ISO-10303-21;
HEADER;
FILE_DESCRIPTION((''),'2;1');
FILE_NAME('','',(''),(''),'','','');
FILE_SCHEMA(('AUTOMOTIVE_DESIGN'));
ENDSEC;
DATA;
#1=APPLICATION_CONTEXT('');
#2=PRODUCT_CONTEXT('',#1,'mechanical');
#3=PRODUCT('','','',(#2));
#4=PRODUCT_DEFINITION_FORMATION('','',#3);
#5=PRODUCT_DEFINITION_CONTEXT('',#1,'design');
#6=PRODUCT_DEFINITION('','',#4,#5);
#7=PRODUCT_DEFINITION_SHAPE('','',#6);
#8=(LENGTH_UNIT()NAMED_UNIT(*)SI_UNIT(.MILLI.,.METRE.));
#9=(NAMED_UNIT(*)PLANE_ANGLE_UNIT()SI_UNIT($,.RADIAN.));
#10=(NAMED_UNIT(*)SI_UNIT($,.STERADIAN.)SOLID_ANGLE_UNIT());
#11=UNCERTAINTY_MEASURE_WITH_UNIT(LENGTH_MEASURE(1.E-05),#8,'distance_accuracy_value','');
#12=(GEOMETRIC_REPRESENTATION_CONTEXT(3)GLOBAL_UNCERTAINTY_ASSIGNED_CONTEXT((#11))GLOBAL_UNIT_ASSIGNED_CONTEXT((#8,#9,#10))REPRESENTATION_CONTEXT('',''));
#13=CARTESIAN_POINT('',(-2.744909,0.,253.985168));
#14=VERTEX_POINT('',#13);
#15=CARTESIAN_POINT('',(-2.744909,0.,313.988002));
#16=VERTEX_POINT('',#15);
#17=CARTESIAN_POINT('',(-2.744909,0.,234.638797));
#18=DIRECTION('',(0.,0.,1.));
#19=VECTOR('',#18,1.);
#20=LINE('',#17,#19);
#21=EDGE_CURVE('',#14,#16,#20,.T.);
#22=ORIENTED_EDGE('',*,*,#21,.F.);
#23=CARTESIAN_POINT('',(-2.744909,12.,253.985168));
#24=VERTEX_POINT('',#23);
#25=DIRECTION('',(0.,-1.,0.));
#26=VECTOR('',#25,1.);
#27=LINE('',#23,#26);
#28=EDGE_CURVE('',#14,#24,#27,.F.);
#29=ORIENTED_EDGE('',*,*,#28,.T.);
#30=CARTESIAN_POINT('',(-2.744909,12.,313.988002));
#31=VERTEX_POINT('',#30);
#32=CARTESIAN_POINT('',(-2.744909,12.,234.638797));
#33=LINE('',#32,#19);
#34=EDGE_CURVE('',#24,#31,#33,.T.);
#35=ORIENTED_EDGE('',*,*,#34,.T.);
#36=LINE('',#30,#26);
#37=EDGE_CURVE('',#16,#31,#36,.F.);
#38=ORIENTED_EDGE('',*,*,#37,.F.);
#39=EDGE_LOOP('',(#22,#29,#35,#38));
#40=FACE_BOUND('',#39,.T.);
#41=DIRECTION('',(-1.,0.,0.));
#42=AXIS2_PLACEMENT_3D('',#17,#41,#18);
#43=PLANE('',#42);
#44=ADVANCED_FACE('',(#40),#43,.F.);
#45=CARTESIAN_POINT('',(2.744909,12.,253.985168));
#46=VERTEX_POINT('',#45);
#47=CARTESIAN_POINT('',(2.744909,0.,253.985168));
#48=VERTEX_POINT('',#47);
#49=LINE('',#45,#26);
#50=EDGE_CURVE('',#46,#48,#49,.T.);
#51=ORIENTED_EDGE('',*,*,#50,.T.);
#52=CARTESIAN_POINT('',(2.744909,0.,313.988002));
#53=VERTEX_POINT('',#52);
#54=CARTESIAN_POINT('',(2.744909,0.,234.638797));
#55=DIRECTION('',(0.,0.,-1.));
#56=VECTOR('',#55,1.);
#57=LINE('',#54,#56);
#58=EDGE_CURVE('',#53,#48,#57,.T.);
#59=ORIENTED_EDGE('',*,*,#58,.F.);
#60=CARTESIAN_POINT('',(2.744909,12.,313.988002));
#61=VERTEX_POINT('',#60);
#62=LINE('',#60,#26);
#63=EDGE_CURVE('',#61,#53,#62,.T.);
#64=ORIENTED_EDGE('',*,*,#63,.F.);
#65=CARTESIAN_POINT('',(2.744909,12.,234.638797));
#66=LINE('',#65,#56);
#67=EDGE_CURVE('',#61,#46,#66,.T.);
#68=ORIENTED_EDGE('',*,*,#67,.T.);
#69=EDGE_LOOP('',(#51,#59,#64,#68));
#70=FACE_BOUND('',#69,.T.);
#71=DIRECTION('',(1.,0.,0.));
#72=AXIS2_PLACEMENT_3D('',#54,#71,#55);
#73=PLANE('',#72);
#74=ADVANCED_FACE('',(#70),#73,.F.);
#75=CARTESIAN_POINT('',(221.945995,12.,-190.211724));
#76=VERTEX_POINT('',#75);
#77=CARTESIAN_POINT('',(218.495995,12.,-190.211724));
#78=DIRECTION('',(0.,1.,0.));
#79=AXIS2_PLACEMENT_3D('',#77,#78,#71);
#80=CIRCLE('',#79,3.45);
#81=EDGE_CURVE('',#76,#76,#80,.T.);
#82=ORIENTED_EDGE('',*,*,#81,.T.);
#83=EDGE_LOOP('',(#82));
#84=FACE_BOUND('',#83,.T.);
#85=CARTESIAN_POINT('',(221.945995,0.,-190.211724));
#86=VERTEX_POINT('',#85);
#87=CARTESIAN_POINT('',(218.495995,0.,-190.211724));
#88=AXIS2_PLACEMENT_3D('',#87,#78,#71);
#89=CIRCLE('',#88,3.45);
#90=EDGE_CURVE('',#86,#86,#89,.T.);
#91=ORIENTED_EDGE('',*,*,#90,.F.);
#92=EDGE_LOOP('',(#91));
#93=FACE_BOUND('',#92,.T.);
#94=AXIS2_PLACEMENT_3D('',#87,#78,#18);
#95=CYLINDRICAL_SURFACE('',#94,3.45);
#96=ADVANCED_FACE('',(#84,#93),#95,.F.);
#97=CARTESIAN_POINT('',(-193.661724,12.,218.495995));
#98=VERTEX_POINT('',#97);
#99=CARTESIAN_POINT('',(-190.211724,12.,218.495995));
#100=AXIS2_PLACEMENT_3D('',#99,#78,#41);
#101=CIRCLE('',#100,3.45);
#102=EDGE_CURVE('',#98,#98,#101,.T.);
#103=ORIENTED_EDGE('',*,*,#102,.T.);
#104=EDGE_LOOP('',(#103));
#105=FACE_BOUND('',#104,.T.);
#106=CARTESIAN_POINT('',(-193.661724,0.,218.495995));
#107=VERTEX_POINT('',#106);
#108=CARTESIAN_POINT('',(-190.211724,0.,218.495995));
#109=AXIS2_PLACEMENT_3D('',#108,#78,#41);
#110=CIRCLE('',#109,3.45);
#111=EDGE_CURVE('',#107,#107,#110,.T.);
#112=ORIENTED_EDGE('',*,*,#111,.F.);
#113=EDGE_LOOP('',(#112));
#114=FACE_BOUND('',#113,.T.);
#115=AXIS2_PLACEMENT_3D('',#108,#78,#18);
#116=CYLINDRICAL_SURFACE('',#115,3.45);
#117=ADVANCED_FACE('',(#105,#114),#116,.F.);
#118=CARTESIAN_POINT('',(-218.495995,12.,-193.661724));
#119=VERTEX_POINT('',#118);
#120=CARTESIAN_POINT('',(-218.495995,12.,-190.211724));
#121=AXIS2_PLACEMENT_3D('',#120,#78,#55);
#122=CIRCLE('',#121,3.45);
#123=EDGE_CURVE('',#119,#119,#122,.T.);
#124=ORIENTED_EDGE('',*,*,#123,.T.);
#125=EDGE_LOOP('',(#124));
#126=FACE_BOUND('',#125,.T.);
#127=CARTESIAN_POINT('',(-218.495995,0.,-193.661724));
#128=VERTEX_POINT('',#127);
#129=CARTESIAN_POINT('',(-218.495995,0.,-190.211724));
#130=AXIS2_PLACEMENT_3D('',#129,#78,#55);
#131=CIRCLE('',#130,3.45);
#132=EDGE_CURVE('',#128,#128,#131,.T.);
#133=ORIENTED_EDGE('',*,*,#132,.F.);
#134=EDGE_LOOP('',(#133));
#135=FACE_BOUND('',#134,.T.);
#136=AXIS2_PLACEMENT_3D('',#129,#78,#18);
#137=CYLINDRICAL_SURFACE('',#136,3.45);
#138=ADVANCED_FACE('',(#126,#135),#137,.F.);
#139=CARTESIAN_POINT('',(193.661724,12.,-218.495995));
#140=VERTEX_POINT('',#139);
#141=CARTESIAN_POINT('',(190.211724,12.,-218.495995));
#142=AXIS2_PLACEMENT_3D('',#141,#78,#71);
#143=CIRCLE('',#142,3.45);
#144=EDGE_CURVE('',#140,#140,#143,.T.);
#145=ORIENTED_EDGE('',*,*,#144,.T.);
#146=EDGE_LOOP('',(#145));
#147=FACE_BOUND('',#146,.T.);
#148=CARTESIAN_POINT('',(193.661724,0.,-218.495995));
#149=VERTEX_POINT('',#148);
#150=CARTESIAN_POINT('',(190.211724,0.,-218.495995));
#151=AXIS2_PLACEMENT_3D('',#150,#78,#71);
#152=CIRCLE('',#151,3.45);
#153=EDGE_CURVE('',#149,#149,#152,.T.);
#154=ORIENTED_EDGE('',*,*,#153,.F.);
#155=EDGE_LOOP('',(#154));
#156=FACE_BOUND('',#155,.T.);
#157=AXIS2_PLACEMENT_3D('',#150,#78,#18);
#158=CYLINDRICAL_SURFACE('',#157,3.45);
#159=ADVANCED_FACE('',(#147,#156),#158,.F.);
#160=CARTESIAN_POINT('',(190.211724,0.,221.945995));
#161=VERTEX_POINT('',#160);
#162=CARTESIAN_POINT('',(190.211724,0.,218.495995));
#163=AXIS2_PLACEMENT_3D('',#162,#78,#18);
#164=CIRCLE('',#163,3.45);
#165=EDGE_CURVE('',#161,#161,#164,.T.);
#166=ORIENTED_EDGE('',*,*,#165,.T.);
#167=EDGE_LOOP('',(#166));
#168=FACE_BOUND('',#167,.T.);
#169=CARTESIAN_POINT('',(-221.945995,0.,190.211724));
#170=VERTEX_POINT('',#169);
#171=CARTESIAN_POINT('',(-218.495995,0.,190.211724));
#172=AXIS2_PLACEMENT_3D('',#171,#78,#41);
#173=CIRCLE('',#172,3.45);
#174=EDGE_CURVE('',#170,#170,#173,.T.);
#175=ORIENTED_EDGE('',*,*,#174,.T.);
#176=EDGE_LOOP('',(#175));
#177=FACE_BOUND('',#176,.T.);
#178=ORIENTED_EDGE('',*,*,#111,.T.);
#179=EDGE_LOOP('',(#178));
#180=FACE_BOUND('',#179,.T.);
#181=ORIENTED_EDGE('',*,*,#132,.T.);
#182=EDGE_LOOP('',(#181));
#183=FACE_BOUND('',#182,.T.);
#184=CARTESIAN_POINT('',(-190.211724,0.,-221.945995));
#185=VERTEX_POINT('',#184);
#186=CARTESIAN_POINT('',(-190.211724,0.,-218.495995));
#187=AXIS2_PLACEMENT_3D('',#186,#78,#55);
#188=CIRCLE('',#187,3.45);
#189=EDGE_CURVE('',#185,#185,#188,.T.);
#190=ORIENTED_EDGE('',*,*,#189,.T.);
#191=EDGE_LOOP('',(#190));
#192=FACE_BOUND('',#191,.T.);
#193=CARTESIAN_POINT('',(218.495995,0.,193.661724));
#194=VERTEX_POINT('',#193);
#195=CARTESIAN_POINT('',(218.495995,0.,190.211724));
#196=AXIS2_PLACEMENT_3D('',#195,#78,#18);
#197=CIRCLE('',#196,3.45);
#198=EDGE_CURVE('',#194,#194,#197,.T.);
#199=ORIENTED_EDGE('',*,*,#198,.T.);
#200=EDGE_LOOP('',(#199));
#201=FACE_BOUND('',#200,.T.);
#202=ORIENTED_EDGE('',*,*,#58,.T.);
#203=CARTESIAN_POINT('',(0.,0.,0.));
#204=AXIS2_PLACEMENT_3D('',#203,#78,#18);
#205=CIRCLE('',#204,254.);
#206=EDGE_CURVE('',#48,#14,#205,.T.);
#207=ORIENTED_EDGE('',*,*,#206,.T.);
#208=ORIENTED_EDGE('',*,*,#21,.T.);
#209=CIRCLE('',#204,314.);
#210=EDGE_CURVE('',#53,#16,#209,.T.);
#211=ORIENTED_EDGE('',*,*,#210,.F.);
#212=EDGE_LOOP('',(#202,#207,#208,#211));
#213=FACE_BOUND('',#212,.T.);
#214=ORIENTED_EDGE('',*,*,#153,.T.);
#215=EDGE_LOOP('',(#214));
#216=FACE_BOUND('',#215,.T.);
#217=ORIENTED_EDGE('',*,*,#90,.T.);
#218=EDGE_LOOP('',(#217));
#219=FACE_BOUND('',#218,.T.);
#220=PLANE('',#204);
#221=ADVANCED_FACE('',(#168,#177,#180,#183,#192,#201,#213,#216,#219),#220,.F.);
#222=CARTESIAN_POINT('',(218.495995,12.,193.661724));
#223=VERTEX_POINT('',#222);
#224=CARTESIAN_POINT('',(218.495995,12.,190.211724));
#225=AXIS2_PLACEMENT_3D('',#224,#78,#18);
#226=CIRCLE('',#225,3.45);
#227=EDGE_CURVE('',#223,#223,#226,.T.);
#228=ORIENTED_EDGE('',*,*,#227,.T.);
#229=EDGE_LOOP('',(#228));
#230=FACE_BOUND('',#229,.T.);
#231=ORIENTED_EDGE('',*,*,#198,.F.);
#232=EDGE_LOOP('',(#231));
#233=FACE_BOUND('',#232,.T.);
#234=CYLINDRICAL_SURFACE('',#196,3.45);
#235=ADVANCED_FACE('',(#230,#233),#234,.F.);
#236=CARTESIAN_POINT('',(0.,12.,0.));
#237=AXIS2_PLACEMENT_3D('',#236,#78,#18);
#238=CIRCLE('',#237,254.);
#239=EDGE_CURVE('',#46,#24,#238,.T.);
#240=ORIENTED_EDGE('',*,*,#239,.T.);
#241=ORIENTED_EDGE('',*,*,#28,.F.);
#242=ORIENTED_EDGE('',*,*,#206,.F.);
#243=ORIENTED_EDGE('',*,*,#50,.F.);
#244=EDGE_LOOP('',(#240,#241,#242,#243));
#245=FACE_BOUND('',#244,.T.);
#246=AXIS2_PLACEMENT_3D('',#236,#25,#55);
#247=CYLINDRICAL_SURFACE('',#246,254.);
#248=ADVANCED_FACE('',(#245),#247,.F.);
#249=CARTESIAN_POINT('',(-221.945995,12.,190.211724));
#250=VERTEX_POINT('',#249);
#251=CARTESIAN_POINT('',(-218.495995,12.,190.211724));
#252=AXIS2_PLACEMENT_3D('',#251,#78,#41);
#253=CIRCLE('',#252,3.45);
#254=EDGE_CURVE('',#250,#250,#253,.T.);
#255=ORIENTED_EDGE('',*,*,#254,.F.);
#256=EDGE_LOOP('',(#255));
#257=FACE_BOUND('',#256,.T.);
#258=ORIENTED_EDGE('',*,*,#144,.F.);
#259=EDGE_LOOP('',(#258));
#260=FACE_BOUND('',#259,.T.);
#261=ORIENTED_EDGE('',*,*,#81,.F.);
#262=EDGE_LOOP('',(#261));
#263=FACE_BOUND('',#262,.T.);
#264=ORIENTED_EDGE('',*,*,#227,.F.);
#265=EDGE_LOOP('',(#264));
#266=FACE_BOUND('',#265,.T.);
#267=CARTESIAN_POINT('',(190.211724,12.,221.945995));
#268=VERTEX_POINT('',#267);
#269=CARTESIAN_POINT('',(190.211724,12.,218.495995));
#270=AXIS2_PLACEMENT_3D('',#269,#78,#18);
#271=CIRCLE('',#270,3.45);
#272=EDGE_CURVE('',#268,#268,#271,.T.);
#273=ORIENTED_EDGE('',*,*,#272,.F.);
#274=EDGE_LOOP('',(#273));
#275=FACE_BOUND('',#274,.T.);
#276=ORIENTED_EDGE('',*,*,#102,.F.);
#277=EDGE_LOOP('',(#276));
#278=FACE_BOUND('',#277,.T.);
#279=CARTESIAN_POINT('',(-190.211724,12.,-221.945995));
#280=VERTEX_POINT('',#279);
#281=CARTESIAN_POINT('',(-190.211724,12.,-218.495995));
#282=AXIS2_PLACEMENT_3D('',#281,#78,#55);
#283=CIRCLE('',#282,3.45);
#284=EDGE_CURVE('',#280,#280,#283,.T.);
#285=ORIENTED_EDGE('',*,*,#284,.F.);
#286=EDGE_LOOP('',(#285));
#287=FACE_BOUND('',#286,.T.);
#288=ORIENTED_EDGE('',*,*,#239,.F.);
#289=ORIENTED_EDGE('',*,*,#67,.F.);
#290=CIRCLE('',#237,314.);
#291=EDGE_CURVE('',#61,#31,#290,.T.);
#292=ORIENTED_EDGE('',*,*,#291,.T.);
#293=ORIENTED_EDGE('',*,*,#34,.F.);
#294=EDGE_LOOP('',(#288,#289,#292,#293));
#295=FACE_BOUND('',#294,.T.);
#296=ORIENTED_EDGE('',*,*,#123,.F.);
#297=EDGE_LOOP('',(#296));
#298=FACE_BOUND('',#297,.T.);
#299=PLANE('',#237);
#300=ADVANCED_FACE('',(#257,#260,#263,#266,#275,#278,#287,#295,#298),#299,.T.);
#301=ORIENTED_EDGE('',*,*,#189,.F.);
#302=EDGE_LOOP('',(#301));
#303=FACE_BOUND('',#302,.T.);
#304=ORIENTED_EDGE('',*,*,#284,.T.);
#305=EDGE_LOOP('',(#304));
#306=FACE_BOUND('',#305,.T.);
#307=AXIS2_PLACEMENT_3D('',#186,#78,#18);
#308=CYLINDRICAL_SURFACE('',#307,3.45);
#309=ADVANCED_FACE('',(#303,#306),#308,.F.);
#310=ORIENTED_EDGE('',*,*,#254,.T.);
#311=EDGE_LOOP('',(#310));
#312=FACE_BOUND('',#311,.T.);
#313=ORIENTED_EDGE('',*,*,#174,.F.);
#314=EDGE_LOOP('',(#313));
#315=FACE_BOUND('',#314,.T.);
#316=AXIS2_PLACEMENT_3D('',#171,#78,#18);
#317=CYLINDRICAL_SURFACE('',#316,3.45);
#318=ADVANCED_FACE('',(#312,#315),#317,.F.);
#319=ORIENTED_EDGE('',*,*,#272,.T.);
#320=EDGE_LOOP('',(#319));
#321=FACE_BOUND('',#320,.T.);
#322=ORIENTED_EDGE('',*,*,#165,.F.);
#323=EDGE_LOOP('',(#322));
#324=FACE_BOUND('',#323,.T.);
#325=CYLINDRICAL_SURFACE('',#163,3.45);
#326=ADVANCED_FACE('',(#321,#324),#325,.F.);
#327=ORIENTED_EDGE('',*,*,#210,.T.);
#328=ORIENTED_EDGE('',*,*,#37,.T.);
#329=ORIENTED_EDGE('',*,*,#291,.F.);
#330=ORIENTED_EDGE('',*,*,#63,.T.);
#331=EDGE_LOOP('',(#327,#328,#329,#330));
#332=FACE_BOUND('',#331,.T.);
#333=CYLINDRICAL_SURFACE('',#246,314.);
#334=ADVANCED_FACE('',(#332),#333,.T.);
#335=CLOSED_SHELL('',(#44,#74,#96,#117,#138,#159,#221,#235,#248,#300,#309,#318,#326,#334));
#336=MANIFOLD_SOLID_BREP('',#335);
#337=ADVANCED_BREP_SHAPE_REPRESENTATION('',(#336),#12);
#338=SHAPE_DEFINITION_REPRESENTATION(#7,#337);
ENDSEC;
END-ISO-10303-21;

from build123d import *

# Parameters (mm, degrees)
SKETCH1_R           = 314
SKETCH1_R_2         = 254
BOSS_EXTRUDE1_DEPTH = 12
SKETCH2_W           = 5.489817528
SKETCH2_H           = 110.495913403
CUT_EXTRUDE1_DEPTH  = 445.22516813
SKETCH3_R           = 3.45
SCREW_HOLE_DEPTH    = 445.22516813
CIRPATTERN1_COUNT   = 4


with BuildPart() as part:
    # Sketch1 → Boss-Extrude1 (new body)
    with BuildSketch(Plane(origin=(0, 0, 0), x_dir=(1, 0, 0), z_dir=(0, 1, 0))):
        with Locations(Location((0, 0, 0), (0, 0, 270))):
            Circle(SKETCH1_R)
        with Locations(Location((0, 0, 0), (0, 0, 270))):
            Circle(SKETCH1_R_2, mode=Mode.SUBTRACT)
    extrude(amount=BOSS_EXTRUDE1_DEPTH)

    # Sketch2 → Cut-Extrude1 (cut, through all)
    with BuildSketch(Plane(origin=(0, 12, 0), x_dir=(1, 0, 0), z_dir=(0, 1, 0))):
        with Locations((0, -289.886753328)):
            Rectangle(SKETCH2_W, SKETCH2_H)
    extrude(amount=-CUT_EXTRUDE1_DEPTH, mode=Mode.SUBTRACT)

    # Sketch3 → screw hole (cut, through all)
    with BuildSketch(Plane(origin=(0, 12, 0), x_dir=(1, 0, 0), z_dir=(0, 1, 0))):
        with Locations(Location((190.211724139, -218.495995387, 0), (0, 0, 270))):
            Circle(SKETCH3_R)
        with Locations(Location((218.495995387, -190.211724139, 0), (0, 0, 270))):
            Circle(SKETCH3_R)
    screw_hole = extrude(amount=-SCREW_HOLE_DEPTH, mode=Mode.SUBTRACT)

    # CirPattern1: screw hole ×4 about axis
    cirpattern1_axis = Axis((0, 0, 0), (0, 1, 0))
    for i in range(1, CIRPATTERN1_COUNT):
        add(screw_hole.rotate(cirpattern1_axis, i * 360 / CIRPATTERN1_COUNT), mode=Mode.SUBTRACT)


solid = part.part
